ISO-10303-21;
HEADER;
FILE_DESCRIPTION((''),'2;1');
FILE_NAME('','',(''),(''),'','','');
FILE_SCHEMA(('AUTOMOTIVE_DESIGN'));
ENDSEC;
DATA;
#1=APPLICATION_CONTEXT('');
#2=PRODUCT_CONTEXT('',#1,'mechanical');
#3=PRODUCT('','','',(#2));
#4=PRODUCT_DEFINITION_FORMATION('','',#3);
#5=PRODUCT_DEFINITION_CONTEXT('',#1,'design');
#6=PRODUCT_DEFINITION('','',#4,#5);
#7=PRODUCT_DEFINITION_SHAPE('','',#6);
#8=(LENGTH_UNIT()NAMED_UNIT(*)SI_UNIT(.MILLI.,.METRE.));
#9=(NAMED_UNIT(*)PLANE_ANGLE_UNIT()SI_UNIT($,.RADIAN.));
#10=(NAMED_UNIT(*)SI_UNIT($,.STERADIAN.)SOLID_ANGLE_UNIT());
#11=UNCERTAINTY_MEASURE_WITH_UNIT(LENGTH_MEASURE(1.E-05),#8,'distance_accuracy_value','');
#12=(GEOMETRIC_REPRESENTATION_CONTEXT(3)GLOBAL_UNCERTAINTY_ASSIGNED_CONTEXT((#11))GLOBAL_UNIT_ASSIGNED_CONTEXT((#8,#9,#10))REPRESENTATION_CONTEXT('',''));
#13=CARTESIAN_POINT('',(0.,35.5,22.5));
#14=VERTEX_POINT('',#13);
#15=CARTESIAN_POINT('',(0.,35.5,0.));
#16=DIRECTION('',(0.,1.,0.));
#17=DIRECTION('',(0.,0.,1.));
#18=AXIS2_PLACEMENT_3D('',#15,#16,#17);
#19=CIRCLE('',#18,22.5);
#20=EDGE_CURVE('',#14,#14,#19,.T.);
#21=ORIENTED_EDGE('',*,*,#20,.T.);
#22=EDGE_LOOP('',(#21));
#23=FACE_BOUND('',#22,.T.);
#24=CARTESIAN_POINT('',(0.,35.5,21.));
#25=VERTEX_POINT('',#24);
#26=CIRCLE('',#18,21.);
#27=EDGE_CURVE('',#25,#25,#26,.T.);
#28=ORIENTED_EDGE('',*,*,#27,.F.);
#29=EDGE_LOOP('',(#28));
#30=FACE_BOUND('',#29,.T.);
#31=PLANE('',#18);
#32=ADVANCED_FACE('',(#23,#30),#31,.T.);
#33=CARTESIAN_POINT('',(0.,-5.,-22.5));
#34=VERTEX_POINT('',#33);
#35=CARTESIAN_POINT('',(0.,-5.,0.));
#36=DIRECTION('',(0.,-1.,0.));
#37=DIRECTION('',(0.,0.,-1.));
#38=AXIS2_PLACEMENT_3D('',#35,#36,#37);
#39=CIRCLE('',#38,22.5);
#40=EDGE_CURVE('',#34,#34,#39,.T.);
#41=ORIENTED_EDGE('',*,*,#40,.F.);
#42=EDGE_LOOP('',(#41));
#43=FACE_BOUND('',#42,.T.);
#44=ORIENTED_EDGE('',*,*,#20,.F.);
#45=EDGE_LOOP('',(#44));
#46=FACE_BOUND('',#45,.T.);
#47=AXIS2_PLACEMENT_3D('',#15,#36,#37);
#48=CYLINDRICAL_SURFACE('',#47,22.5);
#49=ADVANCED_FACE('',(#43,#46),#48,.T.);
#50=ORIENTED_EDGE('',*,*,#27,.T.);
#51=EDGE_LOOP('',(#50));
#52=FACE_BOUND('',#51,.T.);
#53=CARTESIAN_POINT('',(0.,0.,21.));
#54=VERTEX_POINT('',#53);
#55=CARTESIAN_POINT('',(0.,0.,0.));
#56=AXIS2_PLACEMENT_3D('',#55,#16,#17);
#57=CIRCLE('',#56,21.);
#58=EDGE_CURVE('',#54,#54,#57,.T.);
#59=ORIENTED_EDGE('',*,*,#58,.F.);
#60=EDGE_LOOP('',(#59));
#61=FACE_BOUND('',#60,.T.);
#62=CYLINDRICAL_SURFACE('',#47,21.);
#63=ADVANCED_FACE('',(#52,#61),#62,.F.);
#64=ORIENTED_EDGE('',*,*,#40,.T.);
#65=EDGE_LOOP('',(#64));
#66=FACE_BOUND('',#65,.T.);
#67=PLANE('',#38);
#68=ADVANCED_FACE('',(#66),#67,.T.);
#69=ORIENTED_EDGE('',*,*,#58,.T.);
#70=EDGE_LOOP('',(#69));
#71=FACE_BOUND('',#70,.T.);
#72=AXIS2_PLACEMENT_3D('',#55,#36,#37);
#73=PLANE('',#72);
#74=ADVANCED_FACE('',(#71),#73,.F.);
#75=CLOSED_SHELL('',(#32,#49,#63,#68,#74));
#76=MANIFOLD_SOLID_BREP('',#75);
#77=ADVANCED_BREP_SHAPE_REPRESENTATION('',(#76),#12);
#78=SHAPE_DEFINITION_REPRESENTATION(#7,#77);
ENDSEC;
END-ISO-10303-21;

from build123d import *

# Parameters (mm, degrees)
SKETCH1_R           = 22.5
SKETCH1_R_2         = 21
BOSS_EXTRUDE1_DEPTH = 35.5
BOSS_EXTRUDE2_START = 5
SKETCH2_R           = 22.5
BOSS_EXTRUDE2_DEPTH = 5


with BuildPart() as part:
    # Sketch1 → Boss-Extrude1 (new body)
    with BuildSketch(Plane(origin=(0, 0, 0), x_dir=(1, 0, 0), z_dir=(0, 1, 0))):
        with Locations(Location((0, 0, 0), (0, 0, 270))):
            Circle(SKETCH1_R)
        with Locations(Location((0, 0, 0), (0, 0, 270))):
            Circle(SKETCH1_R_2, mode=Mode.SUBTRACT)
    extrude(amount=BOSS_EXTRUDE1_DEPTH)

    # Sketch2 → Boss-Extrude2 (add)
    with BuildSketch(Plane.XZ.offset(BOSS_EXTRUDE2_START)):
        with Locations(Location((0, 0, 0), (0, 0, 270))):
            Circle(SKETCH2_R)
    extrude(amount=-BOSS_EXTRUDE2_DEPTH)


solid = part.part
